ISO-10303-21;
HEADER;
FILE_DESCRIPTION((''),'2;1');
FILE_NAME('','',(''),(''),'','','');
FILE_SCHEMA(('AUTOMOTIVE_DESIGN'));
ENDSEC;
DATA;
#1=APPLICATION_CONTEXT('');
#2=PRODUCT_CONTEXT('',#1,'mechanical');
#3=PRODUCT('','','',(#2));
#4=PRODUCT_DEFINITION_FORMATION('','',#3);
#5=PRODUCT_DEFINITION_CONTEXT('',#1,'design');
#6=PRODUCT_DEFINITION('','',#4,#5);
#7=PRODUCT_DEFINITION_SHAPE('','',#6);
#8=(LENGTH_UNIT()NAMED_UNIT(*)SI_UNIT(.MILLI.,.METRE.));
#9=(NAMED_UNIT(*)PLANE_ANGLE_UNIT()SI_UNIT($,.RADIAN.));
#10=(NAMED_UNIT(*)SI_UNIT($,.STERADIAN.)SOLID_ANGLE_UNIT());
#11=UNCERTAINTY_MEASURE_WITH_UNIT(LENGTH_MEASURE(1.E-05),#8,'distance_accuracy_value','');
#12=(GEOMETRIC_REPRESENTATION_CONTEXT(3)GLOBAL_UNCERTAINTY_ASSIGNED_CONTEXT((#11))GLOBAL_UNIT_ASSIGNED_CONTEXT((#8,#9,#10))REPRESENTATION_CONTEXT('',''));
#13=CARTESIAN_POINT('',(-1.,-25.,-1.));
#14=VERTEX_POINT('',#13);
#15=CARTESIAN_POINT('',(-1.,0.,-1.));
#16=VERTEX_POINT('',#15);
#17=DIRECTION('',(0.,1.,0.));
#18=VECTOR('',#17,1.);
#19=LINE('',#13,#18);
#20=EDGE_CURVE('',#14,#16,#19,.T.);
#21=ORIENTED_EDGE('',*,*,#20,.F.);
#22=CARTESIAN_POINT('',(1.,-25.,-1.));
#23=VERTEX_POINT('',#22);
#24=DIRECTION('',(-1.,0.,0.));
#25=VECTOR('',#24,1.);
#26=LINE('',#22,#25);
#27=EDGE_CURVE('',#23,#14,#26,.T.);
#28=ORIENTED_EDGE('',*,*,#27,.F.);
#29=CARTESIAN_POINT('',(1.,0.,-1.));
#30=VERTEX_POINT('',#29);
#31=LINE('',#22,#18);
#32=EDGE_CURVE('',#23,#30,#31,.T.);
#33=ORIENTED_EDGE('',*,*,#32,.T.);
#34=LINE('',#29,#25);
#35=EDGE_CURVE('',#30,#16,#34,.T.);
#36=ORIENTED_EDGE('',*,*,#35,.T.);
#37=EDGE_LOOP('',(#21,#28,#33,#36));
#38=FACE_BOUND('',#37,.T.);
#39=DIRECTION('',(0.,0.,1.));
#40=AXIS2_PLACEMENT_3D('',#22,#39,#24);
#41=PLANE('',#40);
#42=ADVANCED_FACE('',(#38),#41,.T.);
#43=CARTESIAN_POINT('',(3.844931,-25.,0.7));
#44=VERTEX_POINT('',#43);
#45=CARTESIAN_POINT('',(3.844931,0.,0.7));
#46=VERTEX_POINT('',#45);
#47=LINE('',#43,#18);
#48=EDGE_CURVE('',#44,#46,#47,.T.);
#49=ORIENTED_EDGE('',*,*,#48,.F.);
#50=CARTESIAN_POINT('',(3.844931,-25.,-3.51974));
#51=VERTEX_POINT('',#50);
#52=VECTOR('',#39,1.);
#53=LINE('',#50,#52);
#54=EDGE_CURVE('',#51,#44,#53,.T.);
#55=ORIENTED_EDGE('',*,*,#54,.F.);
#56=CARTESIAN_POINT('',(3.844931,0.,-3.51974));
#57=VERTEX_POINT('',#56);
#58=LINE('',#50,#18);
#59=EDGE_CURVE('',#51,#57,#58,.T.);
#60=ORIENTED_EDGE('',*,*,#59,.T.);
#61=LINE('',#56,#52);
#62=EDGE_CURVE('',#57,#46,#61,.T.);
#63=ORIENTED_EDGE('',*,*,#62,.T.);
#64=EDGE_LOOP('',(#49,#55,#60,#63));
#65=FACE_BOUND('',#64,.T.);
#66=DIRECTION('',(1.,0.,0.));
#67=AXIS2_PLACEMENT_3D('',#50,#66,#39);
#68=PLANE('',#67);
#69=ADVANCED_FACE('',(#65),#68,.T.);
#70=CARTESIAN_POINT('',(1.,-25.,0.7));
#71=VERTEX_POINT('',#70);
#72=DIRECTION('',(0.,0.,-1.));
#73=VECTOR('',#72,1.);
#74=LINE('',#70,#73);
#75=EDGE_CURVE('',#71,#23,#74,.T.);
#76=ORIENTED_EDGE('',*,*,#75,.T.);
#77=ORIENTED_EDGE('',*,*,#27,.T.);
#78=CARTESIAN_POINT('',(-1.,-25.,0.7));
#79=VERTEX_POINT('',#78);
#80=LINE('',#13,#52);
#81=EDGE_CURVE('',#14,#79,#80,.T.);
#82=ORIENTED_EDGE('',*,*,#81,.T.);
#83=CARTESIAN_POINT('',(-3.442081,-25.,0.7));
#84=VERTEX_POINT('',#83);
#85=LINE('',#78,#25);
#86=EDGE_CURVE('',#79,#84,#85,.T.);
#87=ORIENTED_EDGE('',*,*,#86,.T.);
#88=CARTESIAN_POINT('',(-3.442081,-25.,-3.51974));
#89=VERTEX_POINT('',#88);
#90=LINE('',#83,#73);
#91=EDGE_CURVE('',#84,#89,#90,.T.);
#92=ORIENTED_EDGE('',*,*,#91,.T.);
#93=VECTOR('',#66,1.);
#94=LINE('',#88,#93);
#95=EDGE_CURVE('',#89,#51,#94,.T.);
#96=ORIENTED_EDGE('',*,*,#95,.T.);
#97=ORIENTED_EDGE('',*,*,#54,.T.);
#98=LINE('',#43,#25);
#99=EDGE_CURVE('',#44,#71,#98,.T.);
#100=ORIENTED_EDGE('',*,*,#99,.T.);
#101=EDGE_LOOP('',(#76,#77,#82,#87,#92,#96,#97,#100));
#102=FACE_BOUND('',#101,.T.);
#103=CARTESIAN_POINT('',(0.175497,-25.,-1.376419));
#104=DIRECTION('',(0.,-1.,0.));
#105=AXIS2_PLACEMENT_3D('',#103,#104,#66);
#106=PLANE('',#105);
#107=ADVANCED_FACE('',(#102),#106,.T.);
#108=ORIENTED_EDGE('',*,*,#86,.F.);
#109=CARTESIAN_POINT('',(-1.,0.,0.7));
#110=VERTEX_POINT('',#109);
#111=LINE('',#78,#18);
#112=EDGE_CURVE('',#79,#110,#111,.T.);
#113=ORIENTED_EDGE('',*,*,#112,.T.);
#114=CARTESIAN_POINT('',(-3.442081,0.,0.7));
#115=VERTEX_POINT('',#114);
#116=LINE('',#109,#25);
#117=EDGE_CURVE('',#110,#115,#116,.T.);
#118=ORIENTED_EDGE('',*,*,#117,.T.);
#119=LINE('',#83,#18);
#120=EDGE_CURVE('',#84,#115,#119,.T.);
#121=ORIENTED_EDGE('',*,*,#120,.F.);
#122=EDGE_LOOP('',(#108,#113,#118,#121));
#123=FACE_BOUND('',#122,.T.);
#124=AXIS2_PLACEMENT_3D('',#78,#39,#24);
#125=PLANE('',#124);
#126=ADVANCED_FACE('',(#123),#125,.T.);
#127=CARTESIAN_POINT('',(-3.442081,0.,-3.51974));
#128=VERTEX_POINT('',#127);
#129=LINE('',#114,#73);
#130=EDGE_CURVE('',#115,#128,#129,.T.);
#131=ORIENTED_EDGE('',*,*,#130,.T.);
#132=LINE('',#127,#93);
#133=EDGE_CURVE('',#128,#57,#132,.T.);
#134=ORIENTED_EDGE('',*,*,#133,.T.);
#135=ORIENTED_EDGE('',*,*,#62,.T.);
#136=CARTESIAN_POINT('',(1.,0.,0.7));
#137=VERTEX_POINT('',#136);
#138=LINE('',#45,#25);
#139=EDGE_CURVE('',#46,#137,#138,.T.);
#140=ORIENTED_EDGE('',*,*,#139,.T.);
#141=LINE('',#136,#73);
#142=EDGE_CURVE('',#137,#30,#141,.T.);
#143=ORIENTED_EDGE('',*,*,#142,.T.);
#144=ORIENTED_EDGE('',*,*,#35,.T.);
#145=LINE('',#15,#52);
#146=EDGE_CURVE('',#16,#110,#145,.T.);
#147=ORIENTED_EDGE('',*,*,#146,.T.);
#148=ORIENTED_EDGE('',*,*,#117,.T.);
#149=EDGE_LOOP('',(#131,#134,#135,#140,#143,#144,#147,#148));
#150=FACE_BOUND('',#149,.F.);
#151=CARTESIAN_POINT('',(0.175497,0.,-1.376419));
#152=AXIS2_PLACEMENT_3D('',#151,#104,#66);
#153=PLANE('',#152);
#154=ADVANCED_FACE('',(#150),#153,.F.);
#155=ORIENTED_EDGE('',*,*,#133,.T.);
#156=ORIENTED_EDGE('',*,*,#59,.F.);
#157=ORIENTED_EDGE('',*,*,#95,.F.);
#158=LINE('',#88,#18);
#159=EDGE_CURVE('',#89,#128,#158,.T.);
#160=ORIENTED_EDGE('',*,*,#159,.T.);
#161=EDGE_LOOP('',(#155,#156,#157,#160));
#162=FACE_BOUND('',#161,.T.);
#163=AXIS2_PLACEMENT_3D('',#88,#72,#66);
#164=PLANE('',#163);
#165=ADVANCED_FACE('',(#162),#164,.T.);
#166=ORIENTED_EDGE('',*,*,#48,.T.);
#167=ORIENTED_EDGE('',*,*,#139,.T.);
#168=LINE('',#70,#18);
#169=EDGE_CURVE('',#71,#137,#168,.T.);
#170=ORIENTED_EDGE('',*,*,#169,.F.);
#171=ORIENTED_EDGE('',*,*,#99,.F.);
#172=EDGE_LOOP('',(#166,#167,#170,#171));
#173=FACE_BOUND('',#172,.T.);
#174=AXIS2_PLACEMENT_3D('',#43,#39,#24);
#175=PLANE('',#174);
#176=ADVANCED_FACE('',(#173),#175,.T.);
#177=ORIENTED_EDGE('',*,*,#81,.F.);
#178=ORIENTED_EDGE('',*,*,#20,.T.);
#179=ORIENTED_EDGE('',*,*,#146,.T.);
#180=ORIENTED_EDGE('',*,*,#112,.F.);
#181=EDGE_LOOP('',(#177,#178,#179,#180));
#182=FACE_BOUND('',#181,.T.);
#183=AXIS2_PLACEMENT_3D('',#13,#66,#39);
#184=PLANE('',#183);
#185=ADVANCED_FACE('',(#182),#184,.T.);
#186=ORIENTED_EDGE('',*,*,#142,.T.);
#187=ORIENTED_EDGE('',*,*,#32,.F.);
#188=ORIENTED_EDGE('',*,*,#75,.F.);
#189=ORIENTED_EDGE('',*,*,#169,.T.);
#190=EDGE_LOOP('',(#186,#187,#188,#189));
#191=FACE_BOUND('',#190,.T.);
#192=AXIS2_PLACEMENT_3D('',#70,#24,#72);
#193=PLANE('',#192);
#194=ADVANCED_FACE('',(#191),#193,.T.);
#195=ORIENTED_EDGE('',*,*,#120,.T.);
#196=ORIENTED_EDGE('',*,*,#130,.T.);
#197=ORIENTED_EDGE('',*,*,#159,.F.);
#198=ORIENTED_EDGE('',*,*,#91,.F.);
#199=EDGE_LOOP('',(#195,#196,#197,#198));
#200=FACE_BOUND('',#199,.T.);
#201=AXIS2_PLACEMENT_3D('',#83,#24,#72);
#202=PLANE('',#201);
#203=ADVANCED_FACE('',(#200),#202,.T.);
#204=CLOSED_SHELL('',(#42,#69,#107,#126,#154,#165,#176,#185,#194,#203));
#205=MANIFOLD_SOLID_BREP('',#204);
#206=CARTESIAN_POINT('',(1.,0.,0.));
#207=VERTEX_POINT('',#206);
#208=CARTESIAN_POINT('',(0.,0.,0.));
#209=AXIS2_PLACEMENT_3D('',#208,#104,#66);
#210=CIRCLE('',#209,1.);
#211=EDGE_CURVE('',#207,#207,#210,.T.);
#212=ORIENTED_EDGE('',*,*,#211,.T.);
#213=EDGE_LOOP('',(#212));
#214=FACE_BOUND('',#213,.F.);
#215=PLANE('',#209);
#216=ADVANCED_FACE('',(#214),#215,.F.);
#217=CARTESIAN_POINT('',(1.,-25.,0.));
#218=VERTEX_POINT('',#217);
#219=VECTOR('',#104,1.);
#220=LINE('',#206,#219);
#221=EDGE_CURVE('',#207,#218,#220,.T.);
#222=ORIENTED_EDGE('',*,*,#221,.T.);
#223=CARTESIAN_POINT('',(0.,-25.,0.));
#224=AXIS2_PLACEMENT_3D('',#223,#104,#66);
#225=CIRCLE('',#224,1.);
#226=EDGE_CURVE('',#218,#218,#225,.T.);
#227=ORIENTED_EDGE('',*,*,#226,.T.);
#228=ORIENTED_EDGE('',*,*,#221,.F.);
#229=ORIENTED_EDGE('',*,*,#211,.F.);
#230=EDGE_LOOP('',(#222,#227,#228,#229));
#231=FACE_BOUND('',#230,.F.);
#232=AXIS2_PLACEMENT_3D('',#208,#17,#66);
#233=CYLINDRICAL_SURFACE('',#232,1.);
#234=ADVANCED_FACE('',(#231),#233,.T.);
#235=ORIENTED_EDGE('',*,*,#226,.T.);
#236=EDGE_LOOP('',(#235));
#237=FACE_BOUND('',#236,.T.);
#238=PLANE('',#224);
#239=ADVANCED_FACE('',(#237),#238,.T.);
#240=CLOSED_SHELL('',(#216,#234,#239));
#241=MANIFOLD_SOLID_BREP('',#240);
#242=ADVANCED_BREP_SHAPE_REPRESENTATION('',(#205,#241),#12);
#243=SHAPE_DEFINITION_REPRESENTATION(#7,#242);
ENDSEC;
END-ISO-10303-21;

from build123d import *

# Parameters (mm, degrees)
F0_R     = 1
F1_DEPTH = 25
F3_DEPTH = 25


with BuildPart() as f1:
    # F0 (on Front) → F1 (new body)
    with BuildSketch(Plane.XZ):
        Circle(F0_R)
    extrude(amount=F1_DEPTH)


with BuildPart() as f3:
    # F2 (on face) → F3 (new body)
    with BuildSketch(Plane.XZ.offset(25)):
        Polygon((-1, 0), (-1, 0.7), (-3.442081, 0.7), (-3.442081, -3.51974), (3.844931, -3.51974), (3.844931, 0.7), (1, 0.7), (1, 0), (1, -1), (0, -1), (-1, -1), align=None)
    extrude(amount=-F3_DEPTH)


solid = Compound([f1.part, f3.part])
